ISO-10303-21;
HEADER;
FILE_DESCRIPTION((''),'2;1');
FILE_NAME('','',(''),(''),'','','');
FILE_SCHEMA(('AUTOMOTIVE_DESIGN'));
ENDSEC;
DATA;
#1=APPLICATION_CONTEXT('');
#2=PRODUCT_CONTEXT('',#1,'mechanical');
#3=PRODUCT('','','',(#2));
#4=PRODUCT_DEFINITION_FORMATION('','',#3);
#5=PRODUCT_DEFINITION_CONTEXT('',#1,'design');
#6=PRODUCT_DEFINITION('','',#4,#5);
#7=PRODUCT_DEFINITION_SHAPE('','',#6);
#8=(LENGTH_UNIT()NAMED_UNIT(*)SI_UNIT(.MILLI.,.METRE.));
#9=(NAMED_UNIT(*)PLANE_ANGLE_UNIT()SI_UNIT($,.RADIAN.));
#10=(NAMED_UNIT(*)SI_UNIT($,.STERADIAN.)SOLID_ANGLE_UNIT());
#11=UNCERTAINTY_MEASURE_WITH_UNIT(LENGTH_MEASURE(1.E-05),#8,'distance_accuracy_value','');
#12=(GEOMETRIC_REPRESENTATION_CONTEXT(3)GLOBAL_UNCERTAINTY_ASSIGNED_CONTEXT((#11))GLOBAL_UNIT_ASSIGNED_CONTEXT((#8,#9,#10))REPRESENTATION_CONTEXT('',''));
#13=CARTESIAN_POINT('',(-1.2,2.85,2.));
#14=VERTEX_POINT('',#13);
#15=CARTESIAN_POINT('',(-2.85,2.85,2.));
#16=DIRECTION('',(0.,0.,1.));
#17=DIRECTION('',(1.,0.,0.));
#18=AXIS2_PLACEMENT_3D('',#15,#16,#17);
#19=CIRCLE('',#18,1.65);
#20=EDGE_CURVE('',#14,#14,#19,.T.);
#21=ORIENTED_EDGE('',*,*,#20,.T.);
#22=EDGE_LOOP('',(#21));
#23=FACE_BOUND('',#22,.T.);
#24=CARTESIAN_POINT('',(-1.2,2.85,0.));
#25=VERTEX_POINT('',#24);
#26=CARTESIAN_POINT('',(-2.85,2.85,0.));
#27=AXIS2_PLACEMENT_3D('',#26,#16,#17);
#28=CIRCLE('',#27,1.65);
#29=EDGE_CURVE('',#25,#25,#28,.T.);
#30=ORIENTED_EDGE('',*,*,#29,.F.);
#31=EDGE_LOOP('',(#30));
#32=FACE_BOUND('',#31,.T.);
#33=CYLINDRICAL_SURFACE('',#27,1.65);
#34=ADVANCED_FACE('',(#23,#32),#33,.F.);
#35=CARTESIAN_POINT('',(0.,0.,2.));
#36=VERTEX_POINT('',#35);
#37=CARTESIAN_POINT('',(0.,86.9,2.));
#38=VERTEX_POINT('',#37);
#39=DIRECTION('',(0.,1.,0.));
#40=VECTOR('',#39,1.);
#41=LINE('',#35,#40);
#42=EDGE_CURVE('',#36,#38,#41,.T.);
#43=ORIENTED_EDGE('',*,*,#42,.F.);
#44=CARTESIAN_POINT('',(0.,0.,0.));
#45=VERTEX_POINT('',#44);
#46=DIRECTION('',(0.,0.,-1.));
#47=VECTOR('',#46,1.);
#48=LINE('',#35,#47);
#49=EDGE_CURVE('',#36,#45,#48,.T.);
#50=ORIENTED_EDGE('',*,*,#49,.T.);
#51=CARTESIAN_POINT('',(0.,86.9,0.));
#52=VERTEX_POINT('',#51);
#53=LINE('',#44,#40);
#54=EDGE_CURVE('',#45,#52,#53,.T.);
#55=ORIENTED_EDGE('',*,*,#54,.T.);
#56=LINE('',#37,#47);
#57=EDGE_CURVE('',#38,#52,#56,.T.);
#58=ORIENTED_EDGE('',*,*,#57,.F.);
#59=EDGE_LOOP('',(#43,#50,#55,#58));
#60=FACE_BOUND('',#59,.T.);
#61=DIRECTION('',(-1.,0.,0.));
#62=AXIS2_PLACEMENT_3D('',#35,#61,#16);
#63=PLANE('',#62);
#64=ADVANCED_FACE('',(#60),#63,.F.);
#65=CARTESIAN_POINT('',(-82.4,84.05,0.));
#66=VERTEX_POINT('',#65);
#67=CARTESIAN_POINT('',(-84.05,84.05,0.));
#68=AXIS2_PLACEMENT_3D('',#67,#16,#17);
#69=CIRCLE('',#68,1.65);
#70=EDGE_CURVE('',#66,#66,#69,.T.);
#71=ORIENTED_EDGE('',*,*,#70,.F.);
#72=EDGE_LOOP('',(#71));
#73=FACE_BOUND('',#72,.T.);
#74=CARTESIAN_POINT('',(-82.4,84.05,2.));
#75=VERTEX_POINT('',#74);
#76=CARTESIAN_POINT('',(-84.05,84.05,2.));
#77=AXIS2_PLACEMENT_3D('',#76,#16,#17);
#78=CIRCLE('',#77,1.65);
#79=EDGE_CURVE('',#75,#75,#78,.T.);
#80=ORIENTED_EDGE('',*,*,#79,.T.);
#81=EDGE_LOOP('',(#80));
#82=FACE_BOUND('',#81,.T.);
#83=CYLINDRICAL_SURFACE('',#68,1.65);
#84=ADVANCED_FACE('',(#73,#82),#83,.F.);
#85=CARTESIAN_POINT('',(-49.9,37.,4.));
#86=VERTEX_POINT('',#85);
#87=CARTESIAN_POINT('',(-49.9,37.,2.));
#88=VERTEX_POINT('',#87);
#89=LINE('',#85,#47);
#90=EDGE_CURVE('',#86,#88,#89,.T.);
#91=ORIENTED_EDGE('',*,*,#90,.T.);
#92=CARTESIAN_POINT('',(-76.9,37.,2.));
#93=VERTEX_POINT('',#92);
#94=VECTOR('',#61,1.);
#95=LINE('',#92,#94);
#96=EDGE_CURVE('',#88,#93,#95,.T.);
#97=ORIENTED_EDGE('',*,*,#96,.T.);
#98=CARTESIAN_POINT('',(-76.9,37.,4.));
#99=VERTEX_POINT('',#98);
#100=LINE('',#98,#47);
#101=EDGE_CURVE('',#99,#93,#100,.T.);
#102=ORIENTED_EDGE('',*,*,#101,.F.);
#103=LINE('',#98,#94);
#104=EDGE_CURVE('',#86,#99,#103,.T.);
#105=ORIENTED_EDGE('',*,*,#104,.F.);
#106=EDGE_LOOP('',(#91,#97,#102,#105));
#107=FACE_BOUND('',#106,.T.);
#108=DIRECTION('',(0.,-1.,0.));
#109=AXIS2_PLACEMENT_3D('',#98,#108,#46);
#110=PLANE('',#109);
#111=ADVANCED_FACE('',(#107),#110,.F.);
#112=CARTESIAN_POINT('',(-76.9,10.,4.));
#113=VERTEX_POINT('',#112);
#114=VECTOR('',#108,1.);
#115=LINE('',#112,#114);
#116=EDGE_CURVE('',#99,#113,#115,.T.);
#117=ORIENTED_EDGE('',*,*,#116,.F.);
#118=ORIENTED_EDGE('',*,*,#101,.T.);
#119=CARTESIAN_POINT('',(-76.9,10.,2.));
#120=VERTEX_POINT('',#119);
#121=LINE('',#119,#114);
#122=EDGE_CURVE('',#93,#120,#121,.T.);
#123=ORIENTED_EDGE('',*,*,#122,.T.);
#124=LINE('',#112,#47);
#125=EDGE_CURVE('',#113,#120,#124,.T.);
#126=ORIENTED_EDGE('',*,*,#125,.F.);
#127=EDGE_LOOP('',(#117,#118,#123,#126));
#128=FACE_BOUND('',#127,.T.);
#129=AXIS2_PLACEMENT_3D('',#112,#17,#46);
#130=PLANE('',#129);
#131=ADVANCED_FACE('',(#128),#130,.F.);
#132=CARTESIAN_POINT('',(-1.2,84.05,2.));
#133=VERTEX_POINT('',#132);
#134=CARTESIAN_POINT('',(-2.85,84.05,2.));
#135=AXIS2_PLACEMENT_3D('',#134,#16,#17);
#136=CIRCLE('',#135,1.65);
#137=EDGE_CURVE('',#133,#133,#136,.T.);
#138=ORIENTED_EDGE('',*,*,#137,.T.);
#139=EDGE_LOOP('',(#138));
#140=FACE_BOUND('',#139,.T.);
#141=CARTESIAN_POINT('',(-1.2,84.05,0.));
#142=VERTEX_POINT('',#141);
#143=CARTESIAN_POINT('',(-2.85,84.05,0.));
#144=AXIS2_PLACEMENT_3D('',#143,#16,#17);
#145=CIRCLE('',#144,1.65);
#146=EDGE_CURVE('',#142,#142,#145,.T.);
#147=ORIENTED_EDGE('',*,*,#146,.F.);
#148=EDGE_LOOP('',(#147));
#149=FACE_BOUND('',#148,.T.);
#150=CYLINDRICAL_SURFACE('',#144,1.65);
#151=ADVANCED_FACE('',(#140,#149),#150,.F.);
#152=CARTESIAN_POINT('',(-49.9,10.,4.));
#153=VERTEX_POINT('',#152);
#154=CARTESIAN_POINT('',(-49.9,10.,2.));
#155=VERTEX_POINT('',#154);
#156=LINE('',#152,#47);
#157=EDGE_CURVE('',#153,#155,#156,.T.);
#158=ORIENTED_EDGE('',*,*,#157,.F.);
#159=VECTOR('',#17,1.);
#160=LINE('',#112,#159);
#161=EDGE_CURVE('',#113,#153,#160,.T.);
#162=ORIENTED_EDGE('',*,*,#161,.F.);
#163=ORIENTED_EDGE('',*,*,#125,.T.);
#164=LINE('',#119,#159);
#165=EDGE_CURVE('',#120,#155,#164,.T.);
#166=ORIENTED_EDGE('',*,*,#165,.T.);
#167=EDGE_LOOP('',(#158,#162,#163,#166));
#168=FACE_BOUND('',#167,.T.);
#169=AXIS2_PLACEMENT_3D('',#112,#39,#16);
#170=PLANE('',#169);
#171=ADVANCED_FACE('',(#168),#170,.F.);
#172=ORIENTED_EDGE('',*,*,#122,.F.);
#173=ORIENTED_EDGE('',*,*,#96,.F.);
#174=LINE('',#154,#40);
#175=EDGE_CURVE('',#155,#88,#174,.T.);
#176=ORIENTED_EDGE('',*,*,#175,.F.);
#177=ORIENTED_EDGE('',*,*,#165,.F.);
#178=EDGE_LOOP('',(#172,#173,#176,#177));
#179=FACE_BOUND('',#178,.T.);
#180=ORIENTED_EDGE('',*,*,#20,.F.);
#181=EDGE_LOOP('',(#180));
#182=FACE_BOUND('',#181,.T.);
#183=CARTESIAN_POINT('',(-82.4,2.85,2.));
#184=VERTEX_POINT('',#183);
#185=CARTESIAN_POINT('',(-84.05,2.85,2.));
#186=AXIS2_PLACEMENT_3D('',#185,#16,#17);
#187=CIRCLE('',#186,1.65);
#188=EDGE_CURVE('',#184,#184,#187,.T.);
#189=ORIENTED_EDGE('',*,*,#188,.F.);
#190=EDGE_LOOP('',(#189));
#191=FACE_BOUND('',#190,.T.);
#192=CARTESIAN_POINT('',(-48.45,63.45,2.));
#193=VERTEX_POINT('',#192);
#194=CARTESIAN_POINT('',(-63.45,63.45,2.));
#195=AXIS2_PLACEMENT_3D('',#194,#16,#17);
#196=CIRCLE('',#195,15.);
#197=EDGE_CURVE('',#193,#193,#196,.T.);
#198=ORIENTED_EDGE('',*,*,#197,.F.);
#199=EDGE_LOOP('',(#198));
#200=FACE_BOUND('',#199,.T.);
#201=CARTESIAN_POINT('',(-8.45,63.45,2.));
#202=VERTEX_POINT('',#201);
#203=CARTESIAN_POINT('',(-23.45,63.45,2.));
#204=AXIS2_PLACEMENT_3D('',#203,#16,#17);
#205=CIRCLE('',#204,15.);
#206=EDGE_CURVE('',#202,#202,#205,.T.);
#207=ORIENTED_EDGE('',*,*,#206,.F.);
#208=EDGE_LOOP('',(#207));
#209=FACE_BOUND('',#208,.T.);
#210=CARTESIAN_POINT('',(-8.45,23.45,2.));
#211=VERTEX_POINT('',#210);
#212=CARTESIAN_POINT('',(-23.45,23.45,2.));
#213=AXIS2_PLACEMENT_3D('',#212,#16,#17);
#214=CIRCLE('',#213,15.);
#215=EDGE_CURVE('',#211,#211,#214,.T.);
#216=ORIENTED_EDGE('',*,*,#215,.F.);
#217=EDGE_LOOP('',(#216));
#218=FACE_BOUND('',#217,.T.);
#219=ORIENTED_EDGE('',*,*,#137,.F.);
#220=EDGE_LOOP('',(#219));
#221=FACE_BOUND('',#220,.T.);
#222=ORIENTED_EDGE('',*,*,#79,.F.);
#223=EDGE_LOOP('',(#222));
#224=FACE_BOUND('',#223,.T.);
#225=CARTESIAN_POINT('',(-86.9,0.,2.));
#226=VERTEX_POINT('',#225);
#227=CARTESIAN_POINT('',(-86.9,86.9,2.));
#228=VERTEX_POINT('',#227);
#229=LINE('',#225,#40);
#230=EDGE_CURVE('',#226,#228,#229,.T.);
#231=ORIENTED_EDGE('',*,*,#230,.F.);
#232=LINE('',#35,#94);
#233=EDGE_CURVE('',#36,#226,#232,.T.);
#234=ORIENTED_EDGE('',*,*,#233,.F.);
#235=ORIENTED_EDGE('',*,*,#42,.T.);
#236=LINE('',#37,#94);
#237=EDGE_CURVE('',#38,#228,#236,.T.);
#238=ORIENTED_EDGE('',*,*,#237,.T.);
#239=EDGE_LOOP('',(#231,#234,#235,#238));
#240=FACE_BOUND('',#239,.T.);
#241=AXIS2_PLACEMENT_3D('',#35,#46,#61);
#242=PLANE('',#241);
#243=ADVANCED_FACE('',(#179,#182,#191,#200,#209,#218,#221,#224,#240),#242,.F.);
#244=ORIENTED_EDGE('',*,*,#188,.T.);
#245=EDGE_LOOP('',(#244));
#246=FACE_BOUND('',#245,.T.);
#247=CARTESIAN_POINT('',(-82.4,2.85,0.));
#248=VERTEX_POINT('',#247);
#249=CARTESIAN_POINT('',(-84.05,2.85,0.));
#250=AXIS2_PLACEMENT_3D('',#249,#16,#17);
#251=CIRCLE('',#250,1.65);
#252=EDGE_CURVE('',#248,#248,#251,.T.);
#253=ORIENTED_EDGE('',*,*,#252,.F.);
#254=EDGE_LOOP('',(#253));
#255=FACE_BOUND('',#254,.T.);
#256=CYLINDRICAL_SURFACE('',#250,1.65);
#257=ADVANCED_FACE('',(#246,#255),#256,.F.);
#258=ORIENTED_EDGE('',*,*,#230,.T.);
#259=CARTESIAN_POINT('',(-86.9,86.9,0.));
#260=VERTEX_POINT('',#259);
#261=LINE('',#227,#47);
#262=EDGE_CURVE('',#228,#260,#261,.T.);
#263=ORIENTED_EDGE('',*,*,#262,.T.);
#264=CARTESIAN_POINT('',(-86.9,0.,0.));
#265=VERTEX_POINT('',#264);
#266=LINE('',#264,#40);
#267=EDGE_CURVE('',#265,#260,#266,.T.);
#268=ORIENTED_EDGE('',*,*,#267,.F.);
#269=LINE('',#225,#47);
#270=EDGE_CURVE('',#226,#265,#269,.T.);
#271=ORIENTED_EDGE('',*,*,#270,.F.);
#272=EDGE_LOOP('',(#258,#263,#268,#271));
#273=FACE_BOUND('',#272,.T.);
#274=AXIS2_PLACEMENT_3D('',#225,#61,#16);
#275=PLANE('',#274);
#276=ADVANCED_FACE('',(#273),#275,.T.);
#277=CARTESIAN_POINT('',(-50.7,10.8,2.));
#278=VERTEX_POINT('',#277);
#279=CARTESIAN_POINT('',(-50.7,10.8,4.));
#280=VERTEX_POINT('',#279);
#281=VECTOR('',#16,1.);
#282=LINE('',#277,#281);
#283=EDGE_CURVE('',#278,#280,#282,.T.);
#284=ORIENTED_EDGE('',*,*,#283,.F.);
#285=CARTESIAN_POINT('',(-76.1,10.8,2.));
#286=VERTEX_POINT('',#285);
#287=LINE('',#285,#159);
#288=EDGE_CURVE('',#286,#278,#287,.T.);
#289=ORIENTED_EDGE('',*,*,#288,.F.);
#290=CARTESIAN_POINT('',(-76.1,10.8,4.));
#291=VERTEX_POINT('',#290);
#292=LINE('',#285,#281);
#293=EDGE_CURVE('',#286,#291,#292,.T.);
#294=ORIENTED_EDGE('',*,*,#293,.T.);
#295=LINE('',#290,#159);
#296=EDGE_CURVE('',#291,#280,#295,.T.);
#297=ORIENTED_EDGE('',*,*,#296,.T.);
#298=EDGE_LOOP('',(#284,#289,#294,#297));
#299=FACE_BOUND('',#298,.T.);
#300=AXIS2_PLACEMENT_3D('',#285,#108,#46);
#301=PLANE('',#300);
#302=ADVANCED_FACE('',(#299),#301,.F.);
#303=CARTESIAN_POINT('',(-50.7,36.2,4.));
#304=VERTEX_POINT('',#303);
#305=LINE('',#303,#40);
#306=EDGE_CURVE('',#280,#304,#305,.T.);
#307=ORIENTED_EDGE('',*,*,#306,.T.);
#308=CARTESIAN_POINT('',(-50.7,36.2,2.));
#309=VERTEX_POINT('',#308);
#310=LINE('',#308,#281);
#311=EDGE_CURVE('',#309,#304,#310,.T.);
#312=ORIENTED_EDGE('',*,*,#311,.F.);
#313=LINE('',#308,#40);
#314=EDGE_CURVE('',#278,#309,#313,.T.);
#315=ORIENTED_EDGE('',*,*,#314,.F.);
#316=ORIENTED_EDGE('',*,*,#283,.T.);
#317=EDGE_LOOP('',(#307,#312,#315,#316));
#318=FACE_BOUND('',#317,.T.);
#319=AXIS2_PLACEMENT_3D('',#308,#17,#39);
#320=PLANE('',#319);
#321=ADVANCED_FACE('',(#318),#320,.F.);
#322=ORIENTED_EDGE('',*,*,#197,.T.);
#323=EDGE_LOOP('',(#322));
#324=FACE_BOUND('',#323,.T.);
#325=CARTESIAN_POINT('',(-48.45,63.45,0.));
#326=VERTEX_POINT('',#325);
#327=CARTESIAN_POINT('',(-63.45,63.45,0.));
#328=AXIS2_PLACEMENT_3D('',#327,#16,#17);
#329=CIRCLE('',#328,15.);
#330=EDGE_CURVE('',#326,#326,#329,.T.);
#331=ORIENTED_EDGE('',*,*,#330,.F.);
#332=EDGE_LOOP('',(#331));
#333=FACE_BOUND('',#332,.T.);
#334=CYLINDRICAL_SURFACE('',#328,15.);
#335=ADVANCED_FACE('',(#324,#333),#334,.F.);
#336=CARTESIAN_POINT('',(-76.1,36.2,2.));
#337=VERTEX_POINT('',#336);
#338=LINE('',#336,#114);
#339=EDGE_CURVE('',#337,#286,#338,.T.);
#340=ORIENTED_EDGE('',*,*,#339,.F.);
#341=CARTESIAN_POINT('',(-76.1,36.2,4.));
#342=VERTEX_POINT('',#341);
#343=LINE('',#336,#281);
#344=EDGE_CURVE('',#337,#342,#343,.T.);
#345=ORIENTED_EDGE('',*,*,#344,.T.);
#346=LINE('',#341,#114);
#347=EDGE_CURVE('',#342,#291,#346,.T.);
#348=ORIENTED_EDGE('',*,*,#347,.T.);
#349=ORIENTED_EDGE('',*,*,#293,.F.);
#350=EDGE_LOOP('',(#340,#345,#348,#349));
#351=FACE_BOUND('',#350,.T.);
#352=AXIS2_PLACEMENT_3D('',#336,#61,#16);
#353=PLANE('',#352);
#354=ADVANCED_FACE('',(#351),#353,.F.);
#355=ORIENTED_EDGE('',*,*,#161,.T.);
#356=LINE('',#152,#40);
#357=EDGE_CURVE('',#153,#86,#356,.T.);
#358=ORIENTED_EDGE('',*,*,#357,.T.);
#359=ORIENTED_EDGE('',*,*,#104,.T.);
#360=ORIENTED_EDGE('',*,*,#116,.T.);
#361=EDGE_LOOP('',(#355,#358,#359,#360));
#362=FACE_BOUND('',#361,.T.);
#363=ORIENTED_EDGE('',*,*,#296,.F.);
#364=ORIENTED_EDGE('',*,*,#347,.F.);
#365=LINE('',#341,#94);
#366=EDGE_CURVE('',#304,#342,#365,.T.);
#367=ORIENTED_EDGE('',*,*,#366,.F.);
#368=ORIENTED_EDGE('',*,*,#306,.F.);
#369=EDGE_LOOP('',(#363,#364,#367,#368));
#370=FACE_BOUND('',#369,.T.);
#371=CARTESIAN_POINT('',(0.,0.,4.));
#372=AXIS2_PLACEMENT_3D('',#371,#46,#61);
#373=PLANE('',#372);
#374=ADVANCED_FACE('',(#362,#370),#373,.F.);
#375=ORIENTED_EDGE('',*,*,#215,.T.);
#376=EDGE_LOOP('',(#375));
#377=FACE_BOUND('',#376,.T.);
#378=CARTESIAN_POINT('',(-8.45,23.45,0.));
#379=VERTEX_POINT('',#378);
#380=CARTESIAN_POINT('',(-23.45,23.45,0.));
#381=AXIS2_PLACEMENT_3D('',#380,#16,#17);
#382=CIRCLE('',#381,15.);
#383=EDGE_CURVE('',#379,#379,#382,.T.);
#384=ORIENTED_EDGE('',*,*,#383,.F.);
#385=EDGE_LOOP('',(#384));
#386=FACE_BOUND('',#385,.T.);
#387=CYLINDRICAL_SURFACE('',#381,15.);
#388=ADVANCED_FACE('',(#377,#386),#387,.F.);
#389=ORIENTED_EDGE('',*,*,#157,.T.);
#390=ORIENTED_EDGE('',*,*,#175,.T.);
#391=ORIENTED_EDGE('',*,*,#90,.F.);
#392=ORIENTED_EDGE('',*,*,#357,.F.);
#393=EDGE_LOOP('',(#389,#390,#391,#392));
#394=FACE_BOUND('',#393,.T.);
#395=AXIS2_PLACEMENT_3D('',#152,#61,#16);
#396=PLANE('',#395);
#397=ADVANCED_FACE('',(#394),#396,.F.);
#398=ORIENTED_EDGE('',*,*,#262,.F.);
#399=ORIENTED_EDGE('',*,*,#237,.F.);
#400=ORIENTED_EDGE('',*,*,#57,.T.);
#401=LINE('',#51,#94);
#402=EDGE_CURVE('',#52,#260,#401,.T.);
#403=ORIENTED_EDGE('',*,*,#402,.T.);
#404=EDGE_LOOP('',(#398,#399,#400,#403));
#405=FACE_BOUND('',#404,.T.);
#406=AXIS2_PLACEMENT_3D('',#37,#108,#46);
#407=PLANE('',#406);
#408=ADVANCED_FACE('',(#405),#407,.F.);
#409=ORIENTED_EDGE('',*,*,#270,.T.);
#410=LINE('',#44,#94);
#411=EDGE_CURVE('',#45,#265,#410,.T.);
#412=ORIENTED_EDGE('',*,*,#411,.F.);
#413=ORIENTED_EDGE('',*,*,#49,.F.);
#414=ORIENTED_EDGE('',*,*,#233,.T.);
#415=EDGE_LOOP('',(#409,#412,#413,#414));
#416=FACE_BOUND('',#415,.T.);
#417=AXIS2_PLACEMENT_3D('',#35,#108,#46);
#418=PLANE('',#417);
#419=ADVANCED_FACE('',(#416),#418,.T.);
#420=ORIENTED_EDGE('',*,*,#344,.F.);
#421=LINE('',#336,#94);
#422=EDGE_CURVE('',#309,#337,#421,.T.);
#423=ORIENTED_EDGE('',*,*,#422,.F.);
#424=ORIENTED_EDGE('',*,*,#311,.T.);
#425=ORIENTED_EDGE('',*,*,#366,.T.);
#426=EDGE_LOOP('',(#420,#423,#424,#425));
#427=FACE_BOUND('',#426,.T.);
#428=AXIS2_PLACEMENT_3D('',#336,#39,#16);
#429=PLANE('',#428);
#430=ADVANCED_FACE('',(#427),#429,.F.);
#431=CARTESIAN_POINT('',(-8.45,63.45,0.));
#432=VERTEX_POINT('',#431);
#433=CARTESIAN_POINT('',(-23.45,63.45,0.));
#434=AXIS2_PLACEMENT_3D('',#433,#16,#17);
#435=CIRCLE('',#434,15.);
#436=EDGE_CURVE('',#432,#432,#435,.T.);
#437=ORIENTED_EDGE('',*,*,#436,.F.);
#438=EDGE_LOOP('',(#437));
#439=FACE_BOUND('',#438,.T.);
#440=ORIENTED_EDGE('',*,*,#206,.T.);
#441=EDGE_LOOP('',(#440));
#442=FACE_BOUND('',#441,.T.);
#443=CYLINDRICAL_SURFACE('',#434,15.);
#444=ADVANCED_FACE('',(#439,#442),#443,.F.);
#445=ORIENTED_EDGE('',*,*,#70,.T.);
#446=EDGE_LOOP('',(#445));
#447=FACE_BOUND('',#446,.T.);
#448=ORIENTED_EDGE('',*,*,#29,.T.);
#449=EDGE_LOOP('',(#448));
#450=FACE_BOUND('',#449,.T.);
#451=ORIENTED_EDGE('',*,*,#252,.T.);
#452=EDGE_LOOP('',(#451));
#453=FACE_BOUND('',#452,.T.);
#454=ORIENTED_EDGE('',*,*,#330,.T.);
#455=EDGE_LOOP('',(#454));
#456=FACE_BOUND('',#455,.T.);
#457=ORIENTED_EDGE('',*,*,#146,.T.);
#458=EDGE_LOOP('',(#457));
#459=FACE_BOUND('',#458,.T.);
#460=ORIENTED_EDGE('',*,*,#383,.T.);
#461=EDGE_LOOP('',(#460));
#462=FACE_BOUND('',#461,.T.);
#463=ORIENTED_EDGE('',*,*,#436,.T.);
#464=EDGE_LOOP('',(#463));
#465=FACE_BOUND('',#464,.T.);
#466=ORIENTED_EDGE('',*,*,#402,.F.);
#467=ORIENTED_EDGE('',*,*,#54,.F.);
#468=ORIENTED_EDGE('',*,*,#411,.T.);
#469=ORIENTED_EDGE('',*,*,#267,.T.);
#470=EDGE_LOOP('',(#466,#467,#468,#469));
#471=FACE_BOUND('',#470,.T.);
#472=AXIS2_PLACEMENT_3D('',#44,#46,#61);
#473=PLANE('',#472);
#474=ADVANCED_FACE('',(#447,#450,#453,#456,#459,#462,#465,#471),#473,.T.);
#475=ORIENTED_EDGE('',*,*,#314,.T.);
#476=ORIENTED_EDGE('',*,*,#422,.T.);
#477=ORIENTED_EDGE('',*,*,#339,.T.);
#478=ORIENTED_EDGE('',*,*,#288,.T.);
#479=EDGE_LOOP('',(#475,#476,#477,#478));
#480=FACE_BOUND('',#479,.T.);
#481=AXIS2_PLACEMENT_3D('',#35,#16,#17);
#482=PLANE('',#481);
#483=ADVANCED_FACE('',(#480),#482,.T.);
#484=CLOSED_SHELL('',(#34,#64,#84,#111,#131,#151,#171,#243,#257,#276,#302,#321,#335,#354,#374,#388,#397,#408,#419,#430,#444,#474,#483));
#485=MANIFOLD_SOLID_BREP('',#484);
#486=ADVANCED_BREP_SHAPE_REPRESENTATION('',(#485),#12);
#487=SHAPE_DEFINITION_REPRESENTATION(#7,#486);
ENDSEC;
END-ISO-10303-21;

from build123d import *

# Parameters (mm, degrees)
SKETCH1_W           = 86.9
SKETCH1_H           = 86.9
BOSS_EXTRUDE1_DEPTH = 2
SKETCH2_R           = 1.65
CUT_EXTRUDE3_DEPTH  = 123.911431527
SKETCH3_W           = 27
SKETCH3_H           = 27
BOSS_EXTRUDE2_DEPTH = 2
SKETCH4_W           = 25.4
SKETCH4_H           = 25.4
CUT_EXTRUDE4_DEPTH  = 2
SKETCH5_R           = 15
CUT_EXTRUDE5_DEPTH  = 2


with BuildPart() as part:
    # Sketch1 → Boss-Extrude1 (new body)
    with BuildSketch(Plane(origin=(0, 0, 0), x_dir=(0, 1, 0), z_dir=(0, 0, 1))):
        with Locations((43.45, 43.45)):
            Rectangle(SKETCH1_W, SKETCH1_H)
    extrude(amount=BOSS_EXTRUDE1_DEPTH)

    # Sketch2 → Cut-Extrude3 (cut, through all)
    with BuildSketch(Plane.XY.offset(2)):
        with Locations((-84.05, 2.85)):
            Circle(SKETCH2_R)
        with Locations((-2.85, 2.85)):
            Circle(SKETCH2_R)
        with Locations((-2.85, 84.05)):
            Circle(SKETCH2_R)
        with Locations((-84.05, 84.05)):
            Circle(SKETCH2_R)
    extrude(amount=-CUT_EXTRUDE3_DEPTH, mode=Mode.SUBTRACT)

    # Sketch3 → Boss-Extrude2 (add)
    with BuildSketch(Plane.XY.offset(2)):
        with Locations((-63.4, 23.5)):
            Rectangle(SKETCH3_W, SKETCH3_H)
    extrude(amount=BOSS_EXTRUDE2_DEPTH)

    # Sketch4 → Cut-Extrude4 (cut)
    with BuildSketch(Plane.XY.offset(4)):
        with Locations((-63.4, 23.5)):
            Rectangle(SKETCH4_W, SKETCH4_H)
    extrude(amount=-CUT_EXTRUDE4_DEPTH, mode=Mode.SUBTRACT)

    # Sketch5 → Cut-Extrude5 (cut)
    with BuildSketch(Plane.XY.offset(2)):
        with Locations((-63.45, 63.45)):
            Circle(SKETCH5_R)
        with Locations((-23.45, 63.45)):
            Circle(SKETCH5_R)
        with Locations((-23.45, 23.45)):
            Circle(SKETCH5_R)
    extrude(amount=-CUT_EXTRUDE5_DEPTH, mode=Mode.SUBTRACT)


solid = part.part
